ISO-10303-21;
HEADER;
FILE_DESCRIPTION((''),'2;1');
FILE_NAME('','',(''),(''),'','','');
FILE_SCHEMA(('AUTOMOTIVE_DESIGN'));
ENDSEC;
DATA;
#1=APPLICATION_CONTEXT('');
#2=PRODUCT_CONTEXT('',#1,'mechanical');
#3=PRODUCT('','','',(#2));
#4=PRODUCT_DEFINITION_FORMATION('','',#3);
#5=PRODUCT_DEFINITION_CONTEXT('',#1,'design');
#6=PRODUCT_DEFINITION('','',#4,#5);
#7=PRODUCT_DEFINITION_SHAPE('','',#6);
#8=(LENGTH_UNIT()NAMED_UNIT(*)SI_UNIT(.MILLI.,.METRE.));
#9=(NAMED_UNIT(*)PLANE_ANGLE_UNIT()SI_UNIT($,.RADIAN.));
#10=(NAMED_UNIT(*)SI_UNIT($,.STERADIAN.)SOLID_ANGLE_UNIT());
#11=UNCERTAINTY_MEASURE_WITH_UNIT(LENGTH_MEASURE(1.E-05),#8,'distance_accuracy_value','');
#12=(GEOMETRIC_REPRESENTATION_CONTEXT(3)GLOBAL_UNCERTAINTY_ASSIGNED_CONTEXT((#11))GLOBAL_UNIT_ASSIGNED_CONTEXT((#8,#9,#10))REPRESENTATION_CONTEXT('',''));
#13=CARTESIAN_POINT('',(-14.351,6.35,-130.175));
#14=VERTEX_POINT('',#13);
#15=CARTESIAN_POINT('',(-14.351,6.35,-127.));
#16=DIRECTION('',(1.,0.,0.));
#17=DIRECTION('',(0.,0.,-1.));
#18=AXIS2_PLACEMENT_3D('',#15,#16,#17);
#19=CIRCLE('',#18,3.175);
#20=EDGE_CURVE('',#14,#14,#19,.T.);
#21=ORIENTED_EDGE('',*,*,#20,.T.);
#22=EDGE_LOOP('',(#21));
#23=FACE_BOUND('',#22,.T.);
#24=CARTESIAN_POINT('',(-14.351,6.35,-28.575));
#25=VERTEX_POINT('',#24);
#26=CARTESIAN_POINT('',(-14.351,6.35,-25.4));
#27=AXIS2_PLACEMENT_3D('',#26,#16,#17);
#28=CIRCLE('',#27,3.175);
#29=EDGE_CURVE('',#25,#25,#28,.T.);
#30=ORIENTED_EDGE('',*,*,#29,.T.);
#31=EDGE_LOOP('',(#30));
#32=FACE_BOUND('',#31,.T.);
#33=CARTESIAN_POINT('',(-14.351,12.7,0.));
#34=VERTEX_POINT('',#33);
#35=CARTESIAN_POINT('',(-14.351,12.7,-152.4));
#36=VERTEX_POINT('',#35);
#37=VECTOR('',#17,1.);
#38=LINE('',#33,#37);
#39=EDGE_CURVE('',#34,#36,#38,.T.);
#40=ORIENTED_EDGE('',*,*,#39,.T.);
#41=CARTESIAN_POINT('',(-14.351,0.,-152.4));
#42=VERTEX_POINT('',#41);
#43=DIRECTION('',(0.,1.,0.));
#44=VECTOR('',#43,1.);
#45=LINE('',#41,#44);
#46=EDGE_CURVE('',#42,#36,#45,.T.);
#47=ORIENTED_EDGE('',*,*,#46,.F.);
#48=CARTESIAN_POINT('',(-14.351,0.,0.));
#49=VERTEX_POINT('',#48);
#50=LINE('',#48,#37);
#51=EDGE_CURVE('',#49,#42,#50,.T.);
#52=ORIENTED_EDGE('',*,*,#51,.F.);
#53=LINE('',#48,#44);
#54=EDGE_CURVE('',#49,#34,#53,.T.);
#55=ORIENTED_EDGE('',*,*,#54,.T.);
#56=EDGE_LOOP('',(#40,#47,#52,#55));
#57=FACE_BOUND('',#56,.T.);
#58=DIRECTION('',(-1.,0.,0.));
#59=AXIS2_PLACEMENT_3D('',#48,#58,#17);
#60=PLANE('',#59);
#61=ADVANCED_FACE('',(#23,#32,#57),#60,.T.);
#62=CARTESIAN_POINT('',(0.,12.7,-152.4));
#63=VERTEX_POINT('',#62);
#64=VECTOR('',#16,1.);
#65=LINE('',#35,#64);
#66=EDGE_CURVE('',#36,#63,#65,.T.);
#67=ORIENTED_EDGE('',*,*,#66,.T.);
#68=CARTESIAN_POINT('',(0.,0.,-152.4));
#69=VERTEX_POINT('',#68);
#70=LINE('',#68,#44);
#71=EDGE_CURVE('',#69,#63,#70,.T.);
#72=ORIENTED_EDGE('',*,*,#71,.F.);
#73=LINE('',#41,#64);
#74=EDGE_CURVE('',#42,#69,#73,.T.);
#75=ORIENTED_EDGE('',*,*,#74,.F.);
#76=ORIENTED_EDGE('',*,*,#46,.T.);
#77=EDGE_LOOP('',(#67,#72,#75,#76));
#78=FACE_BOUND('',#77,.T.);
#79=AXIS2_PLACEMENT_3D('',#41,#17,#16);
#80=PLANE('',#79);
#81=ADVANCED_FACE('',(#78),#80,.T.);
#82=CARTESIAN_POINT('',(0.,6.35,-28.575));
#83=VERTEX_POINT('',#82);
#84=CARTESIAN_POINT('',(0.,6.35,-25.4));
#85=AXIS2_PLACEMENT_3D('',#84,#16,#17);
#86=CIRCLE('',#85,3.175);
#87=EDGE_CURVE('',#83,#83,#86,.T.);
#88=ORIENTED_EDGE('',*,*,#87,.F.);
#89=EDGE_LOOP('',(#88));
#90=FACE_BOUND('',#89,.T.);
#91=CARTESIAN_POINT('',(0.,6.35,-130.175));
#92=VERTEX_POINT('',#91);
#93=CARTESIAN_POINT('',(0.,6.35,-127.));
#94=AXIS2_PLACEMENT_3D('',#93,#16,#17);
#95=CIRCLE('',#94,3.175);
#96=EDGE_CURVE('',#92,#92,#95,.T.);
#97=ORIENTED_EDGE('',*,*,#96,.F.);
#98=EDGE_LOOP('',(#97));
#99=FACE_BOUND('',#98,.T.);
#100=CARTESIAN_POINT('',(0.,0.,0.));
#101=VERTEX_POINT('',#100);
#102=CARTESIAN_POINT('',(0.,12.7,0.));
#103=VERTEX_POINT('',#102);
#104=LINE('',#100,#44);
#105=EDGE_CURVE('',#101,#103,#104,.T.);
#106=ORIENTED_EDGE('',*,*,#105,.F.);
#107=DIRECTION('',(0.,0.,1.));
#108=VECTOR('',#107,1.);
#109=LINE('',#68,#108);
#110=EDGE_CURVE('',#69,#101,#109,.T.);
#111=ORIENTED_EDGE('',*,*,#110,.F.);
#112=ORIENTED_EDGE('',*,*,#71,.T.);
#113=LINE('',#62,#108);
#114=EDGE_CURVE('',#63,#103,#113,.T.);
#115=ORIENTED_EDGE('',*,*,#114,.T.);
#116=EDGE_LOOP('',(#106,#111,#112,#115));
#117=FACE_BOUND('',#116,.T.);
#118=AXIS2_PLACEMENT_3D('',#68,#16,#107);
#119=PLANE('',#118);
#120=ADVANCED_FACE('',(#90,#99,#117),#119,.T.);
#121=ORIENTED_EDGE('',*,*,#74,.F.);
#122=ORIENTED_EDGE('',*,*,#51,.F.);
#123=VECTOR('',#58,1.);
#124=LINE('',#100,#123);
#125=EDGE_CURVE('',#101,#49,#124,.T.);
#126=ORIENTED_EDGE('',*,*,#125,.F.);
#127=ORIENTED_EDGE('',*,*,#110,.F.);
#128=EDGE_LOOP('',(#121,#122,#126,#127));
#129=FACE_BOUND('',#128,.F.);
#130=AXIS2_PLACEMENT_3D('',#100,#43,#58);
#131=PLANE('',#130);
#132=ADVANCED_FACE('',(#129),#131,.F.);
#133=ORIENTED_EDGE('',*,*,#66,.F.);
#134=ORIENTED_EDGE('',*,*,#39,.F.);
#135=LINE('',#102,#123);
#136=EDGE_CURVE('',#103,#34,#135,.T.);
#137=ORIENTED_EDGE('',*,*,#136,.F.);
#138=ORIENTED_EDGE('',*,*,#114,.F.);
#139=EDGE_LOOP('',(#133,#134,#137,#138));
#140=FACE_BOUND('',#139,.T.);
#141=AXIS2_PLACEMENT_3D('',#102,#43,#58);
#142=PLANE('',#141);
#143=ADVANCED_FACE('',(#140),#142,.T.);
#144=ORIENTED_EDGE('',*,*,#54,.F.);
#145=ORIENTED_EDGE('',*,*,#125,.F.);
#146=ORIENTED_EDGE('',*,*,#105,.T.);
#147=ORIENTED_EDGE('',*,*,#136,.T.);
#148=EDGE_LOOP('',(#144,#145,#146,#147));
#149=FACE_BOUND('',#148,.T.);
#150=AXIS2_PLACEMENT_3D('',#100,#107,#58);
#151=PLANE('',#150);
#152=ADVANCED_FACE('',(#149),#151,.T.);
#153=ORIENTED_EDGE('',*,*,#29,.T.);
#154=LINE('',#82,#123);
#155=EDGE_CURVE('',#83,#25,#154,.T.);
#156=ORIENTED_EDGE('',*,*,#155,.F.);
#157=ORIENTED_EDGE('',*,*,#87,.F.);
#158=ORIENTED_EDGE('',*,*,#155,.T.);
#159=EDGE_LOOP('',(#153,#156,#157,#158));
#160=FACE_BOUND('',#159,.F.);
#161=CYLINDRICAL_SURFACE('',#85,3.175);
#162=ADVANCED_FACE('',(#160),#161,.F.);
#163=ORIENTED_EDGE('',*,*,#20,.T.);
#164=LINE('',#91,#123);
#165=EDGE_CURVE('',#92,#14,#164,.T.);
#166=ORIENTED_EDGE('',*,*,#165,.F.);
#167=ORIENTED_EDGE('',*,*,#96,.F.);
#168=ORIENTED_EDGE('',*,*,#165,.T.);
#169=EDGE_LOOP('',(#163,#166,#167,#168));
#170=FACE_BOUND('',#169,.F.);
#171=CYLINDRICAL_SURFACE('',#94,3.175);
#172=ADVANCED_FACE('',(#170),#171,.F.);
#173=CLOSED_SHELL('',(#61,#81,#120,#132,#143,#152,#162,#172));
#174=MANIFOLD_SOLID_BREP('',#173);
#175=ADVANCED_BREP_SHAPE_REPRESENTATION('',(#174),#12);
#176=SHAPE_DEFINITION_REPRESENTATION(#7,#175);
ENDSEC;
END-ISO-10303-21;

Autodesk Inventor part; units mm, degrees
ref_plane "YZ Plane" through (0, 0, 0) normal (1, 0, 0) x (0, 1, 0)
ref_plane "XZ Plane" through (0, 0, 0) normal (0, 1, 0) x (-1, 0, 0)
ref_plane "XY Plane" through (0, 0, 0) normal (0, 0, 1) x (1, 0, 0)
sketch "Sketch1" plane through (0, 0, 0) normal (0, 1, 0) x (-1, 0, 0)
  line L0 (0, 0) -> (14.351, 0)
  line L1 (14.351, 0) -> (14.351, -152.4)
  line L2 (14.351, -152.4) -> (0, -152.4)
  line L3 (0, -152.4) -> (0, 0)
  dimension "d0" = 152.4
  dimension "d1" = 14.351
extrude "Extrusion1" add sketch "Sketch1" along normal blind 12.7
sketch "Sketch2" plane through (0, 0, 0) normal (1, 0, 0) x (0, 0, -1)
  circle A0 centre (25.4, 6.35) radius 3.175
  circle A1 centre (127, 6.35) radius 3.175
  line L0 (0, 12.7) -> (152.4, 12.7) projected
  line L1 (152.4, 0) -> (152.4, 12.7) projected
  point P0 (0, 0)
  dimension "d4" = 6.35
  dimension "d5" = 6.35
  dimension "d6" = 101.6
  dimension "d7" = 152.4
  dimension "d8" = 25.4
  dimension "d9" = 12.7
  dimension "d10" = 6.35
  dimension "d11" = 6.35
extrude "Extrusion2" cut sketch "Sketch2" against normal through all
equation "\"d5\" = d4"
equation "\"d8\" = -0.5 * d6 + 0.5 * d7"
equation "\"d10\" = 0.5 * d9"
equation "\"d11\" = d10"
properties part number "axil mount"
